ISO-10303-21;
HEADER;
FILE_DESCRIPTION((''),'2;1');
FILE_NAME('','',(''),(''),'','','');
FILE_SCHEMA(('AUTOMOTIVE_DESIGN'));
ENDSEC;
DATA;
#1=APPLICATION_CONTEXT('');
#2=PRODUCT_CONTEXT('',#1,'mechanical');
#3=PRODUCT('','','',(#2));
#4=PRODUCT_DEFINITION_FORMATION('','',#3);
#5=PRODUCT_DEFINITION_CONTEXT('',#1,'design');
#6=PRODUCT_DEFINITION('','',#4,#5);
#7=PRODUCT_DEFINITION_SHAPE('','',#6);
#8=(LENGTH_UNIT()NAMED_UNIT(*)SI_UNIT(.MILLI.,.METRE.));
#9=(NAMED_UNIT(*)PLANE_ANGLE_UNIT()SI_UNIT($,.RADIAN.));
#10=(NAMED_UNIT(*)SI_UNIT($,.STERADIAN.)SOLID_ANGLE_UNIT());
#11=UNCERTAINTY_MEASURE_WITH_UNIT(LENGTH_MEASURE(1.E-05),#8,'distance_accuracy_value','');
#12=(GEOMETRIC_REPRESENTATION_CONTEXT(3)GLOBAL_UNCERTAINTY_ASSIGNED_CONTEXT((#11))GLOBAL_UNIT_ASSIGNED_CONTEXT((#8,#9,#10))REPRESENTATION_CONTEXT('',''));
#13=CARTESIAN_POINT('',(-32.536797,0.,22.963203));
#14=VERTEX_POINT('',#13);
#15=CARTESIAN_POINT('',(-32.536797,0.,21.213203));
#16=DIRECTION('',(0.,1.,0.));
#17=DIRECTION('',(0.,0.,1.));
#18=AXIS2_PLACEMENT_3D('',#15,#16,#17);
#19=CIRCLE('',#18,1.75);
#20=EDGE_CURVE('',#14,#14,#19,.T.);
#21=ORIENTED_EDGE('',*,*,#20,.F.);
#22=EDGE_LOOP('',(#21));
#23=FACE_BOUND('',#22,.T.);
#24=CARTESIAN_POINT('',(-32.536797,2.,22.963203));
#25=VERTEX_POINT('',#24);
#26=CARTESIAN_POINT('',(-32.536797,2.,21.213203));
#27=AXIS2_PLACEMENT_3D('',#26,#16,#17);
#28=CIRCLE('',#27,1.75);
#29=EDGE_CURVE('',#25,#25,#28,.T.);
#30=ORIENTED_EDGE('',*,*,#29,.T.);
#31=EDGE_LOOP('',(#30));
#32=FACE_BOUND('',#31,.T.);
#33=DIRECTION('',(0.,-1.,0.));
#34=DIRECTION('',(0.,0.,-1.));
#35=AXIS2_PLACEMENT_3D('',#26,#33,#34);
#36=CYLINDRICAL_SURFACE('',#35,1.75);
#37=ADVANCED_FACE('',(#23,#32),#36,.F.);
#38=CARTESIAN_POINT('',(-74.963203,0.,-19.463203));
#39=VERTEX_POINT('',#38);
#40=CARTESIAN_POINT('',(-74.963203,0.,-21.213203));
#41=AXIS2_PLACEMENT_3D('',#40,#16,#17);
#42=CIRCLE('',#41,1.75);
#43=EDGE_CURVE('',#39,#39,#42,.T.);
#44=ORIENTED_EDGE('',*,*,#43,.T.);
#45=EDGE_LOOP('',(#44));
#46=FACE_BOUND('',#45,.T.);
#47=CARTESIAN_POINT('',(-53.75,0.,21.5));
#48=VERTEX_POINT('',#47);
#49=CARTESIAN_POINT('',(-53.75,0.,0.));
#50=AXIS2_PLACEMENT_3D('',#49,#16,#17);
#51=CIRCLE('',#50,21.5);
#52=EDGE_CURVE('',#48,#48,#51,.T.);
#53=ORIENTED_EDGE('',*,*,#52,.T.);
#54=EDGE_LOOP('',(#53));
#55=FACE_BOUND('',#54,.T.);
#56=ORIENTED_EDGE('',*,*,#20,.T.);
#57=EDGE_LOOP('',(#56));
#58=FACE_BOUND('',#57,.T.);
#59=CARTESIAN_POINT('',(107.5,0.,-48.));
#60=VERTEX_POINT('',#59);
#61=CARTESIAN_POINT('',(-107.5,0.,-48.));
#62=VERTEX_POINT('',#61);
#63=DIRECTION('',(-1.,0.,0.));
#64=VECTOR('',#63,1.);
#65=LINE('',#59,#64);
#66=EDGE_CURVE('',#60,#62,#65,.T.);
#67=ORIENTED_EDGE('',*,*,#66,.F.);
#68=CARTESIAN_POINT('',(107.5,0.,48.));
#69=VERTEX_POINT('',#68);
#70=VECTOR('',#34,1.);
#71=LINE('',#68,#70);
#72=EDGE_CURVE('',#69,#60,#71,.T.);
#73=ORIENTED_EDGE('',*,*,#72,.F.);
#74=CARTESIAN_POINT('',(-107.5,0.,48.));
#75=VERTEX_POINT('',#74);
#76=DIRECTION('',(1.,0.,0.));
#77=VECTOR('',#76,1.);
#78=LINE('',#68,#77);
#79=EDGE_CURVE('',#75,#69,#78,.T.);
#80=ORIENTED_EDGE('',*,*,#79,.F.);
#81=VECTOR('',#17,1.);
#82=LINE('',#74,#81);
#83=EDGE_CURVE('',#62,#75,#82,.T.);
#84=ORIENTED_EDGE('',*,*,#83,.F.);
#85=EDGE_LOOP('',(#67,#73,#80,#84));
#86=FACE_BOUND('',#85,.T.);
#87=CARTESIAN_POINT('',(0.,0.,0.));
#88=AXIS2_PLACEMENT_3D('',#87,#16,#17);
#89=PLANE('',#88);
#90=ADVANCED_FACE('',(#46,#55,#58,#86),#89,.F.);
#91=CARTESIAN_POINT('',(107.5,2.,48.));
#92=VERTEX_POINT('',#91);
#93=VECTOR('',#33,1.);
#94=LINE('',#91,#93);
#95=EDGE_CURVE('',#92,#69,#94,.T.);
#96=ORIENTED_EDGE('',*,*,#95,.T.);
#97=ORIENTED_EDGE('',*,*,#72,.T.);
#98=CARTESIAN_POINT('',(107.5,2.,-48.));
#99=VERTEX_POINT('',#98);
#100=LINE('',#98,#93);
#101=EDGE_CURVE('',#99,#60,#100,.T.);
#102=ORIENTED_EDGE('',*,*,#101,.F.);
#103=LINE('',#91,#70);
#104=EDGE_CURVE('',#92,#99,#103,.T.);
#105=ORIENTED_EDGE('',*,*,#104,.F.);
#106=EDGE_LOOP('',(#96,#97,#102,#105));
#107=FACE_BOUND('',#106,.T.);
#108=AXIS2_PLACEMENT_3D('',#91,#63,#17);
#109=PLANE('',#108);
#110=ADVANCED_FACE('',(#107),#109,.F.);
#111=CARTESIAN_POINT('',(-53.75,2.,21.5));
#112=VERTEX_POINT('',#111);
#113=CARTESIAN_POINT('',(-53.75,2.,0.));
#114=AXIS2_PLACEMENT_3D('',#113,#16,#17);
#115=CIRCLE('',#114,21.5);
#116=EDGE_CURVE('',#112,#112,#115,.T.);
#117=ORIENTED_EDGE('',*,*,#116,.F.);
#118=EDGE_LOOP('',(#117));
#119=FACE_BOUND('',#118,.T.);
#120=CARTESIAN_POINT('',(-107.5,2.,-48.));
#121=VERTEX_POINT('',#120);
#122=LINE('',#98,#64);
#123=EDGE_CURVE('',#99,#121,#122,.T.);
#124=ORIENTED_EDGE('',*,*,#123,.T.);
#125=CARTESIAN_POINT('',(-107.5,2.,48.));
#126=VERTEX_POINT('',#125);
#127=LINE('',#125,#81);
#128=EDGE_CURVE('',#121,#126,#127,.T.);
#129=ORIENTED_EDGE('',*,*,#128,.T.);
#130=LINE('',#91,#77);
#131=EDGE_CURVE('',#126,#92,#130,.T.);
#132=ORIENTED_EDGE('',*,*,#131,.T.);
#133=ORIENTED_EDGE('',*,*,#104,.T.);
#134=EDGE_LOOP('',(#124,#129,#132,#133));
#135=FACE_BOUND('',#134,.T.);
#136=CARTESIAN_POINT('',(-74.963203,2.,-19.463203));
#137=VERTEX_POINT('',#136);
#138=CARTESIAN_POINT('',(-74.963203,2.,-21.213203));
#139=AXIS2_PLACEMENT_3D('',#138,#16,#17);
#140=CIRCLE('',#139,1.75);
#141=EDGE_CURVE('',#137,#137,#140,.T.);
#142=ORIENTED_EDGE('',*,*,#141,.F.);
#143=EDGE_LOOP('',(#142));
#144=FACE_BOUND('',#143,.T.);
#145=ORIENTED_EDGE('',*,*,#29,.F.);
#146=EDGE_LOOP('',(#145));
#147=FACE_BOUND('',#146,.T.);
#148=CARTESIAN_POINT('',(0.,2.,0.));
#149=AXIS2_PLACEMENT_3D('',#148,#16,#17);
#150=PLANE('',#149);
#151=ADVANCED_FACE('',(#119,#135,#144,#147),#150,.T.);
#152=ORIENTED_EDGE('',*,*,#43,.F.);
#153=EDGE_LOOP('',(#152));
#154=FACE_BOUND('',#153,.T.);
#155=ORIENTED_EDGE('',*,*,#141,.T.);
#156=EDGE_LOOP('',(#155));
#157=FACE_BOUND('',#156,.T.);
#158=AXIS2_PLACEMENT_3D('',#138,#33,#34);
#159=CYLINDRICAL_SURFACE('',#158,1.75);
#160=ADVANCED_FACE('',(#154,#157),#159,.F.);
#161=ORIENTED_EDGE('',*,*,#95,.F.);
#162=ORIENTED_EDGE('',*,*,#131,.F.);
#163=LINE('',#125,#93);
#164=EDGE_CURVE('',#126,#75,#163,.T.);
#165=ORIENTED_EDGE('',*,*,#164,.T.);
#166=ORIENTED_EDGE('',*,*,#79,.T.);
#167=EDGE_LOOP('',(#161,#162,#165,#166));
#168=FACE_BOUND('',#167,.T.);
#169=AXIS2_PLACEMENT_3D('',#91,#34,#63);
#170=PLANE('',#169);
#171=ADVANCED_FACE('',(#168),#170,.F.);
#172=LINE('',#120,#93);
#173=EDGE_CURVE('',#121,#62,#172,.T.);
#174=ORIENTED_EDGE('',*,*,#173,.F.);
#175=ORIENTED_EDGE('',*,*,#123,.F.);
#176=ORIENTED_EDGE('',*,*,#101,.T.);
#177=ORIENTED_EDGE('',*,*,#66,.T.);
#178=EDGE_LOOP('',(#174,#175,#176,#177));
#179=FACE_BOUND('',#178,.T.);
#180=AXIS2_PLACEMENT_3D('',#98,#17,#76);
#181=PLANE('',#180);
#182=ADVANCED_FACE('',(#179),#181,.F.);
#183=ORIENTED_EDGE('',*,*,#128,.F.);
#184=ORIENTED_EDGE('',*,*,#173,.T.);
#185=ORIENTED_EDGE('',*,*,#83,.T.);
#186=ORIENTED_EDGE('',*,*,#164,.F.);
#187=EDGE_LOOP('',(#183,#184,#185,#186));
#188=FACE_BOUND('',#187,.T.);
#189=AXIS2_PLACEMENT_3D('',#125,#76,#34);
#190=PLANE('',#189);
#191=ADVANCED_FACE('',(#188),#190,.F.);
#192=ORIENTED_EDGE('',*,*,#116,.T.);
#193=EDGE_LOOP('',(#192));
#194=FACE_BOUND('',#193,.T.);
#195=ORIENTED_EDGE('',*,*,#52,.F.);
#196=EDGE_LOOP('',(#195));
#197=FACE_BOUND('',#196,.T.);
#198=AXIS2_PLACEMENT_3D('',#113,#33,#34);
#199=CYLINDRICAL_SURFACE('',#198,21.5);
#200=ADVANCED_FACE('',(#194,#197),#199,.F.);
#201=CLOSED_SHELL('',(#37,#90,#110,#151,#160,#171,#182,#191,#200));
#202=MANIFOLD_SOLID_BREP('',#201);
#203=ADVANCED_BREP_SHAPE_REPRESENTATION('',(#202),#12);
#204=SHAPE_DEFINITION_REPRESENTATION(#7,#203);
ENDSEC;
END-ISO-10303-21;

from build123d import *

# Parameters (mm, degrees)
SKETCH1_W           = 215
SKETCH1_H           = 96
SKETCH1_R           = 1.75
SKETCH1_R_2         = 21.5
BOSS_EXTRUDE1_DEPTH = 2


with BuildPart() as part:
    # Sketch1 → Boss-Extrude1 (new body)
    with BuildSketch(Plane(origin=(0, 0, 0), x_dir=(1, 0, 0), z_dir=(0, 1, 0))):
        Rectangle(SKETCH1_W, SKETCH1_H)
        with Locations(Location((-74.963203436, 21.213203436, 0), (0, 0, 270))):
            Circle(SKETCH1_R, mode=Mode.SUBTRACT)
        with Locations(Location((-32.536796564, -21.213203436, 0), (0, 0, 270))):
            Circle(SKETCH1_R, mode=Mode.SUBTRACT)
        with Locations(Location((-53.75, 0, 0), (0, 0, 270))):
            Circle(SKETCH1_R_2, mode=Mode.SUBTRACT)
    extrude(amount=BOSS_EXTRUDE1_DEPTH)


solid = part.part
